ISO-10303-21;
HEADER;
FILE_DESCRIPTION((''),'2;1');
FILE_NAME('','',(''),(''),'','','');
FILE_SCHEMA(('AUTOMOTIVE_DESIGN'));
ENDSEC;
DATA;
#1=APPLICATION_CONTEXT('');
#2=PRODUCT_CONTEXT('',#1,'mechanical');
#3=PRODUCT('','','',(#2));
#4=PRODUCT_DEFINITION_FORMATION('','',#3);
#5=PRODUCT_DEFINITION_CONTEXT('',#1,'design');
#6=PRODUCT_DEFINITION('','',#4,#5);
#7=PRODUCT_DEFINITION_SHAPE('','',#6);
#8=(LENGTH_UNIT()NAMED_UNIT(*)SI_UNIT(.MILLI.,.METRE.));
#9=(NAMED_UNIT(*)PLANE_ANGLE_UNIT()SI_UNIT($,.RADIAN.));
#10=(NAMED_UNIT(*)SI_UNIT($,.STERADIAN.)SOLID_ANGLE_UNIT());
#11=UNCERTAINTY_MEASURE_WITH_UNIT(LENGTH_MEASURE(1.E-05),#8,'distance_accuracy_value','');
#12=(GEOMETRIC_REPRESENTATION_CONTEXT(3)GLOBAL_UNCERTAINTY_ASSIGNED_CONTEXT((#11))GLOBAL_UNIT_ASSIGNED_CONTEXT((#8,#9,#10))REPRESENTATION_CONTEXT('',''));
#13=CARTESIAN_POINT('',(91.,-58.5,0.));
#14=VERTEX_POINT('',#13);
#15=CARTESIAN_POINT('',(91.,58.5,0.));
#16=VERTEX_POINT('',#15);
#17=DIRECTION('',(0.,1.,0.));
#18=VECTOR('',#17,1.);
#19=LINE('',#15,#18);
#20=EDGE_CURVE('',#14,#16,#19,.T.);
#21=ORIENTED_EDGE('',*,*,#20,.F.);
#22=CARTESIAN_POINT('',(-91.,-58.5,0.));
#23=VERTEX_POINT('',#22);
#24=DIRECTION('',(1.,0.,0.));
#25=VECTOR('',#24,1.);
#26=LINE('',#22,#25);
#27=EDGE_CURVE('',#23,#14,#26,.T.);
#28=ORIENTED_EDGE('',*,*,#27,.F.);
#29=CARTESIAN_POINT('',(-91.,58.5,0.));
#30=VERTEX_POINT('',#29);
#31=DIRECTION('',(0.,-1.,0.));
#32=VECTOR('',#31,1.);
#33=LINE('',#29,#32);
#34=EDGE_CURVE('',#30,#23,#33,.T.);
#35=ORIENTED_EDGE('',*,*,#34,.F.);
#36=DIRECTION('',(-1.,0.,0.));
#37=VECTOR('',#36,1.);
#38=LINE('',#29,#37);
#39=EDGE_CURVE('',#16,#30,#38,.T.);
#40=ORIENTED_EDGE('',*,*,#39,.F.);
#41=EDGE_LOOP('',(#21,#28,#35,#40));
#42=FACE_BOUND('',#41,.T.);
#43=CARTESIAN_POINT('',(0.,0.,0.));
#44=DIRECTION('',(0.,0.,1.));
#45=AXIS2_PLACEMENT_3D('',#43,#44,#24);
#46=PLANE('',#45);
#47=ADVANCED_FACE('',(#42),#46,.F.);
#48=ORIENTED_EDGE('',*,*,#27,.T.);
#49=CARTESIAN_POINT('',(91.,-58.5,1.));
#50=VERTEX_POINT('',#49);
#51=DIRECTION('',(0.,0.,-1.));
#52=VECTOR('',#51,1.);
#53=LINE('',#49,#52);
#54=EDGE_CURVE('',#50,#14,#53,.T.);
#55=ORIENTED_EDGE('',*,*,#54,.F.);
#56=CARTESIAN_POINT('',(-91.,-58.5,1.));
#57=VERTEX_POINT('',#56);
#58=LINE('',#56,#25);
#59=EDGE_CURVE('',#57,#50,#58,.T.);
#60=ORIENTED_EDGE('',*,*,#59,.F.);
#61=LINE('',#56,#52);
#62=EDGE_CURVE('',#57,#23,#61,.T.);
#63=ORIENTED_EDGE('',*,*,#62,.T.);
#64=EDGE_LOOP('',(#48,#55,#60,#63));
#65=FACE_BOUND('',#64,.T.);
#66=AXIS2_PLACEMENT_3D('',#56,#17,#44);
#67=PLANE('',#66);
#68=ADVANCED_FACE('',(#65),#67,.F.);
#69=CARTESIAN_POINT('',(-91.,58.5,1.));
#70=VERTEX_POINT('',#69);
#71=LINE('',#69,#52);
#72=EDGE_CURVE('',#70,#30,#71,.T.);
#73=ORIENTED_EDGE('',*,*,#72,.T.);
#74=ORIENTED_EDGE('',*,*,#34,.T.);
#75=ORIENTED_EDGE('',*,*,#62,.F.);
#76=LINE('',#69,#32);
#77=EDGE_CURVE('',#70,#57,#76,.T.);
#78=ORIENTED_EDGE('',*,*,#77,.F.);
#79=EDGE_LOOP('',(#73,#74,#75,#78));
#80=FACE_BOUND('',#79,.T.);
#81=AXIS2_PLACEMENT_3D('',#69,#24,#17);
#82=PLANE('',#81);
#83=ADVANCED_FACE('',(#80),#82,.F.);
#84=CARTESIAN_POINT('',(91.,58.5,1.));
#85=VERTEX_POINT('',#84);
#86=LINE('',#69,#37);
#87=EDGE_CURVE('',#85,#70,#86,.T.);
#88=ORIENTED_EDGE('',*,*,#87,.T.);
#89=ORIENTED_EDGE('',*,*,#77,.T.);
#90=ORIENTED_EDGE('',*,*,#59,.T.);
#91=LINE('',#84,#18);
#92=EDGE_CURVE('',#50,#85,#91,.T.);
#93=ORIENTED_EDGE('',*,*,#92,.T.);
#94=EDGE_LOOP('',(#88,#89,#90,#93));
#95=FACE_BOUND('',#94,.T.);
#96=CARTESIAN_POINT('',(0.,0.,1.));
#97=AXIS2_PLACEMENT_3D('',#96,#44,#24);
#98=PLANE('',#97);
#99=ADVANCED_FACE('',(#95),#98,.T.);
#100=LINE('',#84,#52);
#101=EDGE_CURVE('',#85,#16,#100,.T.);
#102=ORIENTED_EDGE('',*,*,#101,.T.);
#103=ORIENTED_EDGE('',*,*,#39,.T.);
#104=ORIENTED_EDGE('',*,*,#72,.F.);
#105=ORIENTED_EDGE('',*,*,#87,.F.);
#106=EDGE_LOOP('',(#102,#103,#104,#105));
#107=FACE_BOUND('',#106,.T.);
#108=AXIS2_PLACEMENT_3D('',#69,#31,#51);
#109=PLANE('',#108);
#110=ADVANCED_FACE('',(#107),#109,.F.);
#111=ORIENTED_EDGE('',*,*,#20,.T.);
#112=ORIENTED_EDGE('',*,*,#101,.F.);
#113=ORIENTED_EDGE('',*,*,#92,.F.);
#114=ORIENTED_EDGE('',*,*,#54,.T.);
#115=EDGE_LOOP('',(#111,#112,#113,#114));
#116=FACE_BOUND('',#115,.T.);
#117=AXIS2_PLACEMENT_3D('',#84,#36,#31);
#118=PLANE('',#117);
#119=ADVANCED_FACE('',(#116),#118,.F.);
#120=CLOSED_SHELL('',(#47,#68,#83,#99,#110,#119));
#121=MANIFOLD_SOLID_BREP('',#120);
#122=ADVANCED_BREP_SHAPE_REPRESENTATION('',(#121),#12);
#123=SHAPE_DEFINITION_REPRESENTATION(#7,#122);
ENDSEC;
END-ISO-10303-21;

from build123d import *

# Parameters (mm, degrees)
SKETCH_1_W      = 182
SKETCH_1_H      = 117
EXTRUDE_1_DEPTH = 1


with BuildPart() as part:
    # 草图1 → 凸台-拉伸1 (new body)
    with BuildSketch(Plane.XY):
        Rectangle(SKETCH_1_W, SKETCH_1_H)
    extrude(amount=EXTRUDE_1_DEPTH)


solid = part.part
